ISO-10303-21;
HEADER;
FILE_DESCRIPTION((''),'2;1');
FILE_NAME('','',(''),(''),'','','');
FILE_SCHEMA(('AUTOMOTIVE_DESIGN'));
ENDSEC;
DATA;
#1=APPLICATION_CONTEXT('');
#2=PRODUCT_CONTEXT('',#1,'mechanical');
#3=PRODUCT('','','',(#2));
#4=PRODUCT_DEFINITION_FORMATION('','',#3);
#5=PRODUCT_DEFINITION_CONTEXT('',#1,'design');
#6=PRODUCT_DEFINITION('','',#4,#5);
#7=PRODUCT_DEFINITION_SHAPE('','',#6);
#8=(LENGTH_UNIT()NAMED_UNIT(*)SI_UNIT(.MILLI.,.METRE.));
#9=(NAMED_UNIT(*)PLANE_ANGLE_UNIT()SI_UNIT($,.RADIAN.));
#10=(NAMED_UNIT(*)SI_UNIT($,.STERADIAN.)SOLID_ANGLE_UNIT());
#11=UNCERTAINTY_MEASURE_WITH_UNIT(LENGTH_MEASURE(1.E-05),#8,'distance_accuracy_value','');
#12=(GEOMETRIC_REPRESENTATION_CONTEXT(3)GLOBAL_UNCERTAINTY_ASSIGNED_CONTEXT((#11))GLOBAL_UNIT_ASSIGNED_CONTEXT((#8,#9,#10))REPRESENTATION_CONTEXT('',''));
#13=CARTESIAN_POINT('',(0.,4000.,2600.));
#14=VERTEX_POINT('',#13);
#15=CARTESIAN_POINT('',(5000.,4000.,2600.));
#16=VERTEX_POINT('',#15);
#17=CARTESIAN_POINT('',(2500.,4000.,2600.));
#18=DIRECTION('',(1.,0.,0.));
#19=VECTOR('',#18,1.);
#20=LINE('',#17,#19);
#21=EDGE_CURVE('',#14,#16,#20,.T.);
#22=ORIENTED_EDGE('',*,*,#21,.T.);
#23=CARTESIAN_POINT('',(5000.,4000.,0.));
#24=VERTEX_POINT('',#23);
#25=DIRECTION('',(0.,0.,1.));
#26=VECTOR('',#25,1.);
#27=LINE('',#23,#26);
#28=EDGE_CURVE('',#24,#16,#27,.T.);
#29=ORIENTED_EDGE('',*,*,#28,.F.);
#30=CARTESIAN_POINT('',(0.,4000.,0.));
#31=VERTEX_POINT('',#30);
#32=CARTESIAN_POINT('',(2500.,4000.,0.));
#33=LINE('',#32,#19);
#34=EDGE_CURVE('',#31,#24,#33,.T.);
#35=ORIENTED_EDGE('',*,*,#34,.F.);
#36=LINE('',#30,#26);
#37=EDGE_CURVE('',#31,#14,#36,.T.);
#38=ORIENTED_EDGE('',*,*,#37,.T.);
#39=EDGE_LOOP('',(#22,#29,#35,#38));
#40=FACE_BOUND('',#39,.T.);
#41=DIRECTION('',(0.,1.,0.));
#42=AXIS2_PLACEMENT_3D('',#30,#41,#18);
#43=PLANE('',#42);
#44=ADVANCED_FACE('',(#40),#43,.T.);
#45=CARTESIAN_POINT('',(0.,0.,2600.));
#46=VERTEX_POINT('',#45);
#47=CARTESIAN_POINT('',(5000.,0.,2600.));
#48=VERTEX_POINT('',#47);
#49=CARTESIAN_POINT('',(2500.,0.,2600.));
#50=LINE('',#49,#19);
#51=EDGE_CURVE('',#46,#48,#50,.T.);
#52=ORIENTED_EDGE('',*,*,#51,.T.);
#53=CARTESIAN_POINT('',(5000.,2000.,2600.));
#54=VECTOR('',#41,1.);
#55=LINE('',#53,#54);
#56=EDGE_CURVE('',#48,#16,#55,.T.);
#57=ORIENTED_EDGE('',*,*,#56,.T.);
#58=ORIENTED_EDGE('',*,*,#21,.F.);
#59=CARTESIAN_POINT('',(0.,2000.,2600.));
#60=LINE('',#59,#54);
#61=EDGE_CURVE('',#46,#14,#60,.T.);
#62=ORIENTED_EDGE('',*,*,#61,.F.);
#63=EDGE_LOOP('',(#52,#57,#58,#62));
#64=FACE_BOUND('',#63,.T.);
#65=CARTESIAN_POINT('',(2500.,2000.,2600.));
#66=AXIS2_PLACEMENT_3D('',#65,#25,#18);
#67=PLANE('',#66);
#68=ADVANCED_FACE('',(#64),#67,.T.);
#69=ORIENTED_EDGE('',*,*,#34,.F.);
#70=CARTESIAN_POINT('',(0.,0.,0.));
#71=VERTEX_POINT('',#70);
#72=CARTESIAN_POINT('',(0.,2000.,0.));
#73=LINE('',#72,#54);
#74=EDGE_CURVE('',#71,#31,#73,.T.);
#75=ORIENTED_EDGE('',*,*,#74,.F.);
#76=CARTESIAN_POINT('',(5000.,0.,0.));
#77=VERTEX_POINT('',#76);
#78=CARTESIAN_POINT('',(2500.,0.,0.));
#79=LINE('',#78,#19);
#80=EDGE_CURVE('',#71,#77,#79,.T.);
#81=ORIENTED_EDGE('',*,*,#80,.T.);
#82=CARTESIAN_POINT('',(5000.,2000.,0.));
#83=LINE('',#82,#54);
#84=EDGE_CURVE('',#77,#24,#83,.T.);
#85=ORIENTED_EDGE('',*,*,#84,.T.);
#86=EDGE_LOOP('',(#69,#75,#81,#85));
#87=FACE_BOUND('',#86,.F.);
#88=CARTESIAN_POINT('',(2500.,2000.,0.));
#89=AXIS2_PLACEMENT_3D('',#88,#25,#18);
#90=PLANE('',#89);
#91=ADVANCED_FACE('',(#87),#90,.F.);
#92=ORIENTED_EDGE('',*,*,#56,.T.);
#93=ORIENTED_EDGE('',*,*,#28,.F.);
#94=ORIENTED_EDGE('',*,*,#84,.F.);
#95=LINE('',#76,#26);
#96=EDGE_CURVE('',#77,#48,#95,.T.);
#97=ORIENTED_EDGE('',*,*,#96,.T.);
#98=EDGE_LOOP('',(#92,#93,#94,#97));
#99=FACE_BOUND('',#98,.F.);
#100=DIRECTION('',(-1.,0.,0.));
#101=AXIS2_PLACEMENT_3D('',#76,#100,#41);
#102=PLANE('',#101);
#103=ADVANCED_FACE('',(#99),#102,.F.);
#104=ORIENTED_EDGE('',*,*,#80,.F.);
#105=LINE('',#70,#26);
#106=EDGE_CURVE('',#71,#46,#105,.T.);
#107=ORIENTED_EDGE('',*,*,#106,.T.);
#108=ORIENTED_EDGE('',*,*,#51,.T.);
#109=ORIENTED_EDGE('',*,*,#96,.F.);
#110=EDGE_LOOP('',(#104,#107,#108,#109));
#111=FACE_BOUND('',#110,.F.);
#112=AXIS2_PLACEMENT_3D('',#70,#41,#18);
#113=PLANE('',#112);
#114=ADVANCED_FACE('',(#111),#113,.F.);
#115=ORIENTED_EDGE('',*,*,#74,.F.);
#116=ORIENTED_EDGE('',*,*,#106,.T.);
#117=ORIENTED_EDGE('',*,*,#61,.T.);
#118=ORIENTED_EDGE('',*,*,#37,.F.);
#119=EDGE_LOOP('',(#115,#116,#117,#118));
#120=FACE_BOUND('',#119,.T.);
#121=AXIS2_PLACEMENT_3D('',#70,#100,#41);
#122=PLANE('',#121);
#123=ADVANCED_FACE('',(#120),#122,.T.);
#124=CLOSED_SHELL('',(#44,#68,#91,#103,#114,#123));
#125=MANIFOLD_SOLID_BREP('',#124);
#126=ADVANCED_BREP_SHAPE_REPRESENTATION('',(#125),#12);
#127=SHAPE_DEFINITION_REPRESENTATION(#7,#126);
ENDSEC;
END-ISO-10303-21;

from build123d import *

# Parameters (mm, degrees)
SKETCH_W  = 5000
SKETCH_H  = 4000
PAD_DEPTH = 2600


with BuildPart() as part:
    # Sketch → Pad (new body)
    with BuildSketch(Plane.XY):
        with Locations((2500, 2000)):
            Rectangle(SKETCH_W, SKETCH_H)
    extrude(amount=PAD_DEPTH)


solid = part.part
